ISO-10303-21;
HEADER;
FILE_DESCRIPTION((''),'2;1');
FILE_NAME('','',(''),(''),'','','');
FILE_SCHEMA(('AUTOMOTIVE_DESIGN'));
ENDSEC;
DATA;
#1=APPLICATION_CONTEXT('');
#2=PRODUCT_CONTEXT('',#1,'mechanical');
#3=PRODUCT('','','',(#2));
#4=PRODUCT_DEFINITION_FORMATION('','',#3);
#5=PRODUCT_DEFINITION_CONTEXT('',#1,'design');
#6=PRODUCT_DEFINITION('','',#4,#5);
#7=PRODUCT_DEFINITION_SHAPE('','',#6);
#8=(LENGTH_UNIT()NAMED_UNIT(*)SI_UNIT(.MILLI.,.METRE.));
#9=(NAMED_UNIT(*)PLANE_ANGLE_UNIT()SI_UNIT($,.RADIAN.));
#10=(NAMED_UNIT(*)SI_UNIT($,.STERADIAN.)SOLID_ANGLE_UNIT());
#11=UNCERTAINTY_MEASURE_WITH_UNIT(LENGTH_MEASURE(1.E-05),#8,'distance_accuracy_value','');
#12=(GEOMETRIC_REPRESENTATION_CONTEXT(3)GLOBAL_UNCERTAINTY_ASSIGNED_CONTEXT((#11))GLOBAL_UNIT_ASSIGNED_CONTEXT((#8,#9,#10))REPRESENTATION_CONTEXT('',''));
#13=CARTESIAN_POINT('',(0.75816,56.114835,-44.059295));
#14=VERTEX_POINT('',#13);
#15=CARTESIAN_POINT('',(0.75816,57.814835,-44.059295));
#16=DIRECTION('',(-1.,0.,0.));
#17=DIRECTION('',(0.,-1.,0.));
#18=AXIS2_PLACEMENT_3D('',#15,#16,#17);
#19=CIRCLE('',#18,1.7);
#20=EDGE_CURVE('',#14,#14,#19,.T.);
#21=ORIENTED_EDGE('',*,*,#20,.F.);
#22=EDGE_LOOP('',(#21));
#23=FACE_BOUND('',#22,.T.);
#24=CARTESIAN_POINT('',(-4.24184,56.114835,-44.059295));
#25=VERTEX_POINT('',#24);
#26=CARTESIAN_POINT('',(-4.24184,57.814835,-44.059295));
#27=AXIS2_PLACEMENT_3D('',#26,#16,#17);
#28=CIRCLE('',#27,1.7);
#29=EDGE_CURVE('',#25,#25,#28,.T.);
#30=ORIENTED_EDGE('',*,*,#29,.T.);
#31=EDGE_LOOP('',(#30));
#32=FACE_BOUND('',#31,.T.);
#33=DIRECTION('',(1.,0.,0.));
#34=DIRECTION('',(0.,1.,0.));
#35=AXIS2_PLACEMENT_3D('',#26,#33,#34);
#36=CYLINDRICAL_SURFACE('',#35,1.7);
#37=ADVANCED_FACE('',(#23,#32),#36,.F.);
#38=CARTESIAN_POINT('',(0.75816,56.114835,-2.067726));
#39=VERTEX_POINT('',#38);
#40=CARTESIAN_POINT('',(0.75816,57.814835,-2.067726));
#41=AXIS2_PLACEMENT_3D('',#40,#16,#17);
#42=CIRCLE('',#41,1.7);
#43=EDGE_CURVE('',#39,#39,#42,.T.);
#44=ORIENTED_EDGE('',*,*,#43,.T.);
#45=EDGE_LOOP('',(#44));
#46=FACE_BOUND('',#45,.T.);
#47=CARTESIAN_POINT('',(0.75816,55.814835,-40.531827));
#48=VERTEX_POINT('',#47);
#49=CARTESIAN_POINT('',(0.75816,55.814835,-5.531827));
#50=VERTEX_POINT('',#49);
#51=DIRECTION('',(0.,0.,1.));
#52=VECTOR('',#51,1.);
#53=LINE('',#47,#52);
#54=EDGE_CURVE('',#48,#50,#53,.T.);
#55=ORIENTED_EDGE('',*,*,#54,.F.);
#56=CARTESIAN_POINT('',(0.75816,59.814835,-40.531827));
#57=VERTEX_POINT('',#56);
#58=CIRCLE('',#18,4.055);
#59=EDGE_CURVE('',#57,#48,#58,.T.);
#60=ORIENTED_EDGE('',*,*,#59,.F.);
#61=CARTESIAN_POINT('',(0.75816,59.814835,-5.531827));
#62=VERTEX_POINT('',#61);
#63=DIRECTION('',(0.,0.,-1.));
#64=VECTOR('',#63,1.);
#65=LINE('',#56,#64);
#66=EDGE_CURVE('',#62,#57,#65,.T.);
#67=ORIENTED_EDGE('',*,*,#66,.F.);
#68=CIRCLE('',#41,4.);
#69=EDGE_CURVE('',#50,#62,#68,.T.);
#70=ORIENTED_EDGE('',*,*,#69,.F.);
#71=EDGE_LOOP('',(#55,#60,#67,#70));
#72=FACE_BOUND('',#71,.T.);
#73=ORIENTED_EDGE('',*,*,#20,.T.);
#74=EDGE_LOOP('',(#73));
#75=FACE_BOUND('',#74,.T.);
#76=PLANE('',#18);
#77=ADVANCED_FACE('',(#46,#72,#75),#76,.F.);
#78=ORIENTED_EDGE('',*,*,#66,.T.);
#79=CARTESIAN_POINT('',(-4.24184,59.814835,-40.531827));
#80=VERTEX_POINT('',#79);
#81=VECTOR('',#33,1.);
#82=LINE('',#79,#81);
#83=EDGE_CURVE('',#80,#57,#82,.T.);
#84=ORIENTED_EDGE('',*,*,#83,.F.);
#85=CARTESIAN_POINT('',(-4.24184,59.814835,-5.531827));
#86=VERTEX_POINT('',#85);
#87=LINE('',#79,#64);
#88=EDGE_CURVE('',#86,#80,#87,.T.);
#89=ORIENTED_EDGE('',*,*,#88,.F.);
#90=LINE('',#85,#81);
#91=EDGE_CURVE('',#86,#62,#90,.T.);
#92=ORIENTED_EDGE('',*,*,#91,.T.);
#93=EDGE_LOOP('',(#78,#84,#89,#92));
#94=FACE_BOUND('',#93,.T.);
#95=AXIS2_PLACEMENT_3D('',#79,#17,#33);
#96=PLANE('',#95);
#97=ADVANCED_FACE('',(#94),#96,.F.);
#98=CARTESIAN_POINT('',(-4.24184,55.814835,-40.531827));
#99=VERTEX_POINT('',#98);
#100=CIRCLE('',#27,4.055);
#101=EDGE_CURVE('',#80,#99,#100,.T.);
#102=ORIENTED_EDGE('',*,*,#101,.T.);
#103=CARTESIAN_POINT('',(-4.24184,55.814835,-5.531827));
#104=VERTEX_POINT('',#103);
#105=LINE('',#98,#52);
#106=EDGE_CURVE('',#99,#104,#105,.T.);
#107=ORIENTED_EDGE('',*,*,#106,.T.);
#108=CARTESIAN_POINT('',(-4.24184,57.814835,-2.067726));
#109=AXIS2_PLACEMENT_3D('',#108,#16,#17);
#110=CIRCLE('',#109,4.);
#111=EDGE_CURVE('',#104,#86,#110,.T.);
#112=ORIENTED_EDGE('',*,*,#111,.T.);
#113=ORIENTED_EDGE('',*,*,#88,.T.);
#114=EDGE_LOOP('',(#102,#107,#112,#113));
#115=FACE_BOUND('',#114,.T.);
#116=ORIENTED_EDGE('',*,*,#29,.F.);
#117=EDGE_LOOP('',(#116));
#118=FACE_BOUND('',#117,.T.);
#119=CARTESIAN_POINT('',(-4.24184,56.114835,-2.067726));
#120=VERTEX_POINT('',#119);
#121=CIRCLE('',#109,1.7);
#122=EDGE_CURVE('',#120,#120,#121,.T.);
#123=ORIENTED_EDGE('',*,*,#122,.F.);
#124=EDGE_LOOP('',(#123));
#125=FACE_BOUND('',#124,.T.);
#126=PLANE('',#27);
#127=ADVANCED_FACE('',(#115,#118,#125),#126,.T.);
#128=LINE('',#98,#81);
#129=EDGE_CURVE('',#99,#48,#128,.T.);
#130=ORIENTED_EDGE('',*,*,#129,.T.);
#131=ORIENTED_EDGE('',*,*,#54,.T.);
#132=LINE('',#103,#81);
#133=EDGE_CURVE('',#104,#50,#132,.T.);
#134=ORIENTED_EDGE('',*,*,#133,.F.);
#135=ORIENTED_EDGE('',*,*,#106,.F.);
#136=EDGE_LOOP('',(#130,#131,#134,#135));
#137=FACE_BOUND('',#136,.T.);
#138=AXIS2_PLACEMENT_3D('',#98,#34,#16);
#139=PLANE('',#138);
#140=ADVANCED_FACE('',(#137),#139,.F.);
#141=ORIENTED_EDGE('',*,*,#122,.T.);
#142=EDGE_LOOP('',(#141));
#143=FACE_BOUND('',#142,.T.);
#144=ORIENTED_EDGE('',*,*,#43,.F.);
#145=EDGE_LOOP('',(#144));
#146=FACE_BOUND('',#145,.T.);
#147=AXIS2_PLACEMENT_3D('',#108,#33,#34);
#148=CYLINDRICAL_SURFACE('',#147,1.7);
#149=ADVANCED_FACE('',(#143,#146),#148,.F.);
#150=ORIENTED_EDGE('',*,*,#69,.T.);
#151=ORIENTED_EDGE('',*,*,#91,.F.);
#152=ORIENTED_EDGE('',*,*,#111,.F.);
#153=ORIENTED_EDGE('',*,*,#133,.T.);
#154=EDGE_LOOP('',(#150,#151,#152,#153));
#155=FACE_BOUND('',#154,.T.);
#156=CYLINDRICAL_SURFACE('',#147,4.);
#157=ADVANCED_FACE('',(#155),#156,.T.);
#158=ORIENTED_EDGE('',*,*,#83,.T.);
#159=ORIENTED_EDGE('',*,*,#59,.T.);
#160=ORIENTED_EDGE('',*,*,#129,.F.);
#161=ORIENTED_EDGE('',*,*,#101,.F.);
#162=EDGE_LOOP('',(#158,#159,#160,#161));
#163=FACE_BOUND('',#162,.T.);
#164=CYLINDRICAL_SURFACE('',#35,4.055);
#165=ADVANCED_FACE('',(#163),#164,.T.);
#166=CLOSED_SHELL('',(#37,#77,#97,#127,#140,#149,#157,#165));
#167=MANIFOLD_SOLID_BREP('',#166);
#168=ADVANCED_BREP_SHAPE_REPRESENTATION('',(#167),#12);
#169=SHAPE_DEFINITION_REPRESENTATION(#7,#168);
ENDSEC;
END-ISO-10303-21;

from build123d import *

# Parameters (mm, degrees)
SKETCH_1_R      = 1.7
EXTRUDE_1_DEPTH = 5


with BuildPart() as part:
    # Эскиз1 → Бобышка-Вытянуть1 (new body)
    with BuildSketch(Plane.ZY.offset(-0.758160047)):
        with BuildLine():
            Line((-40.531827395, 59.814835282), (-5.531827395, 59.814835282))
            ThreePointArc((-5.531827395, 59.814835282), (1.93227422, 57.814835282), (-5.531827395, 55.814835282))
            Line((-5.531827395, 55.814835282), (-40.531827395, 55.814835282))
            ThreePointArc((-40.531827395, 55.814835282), (-48.114294617, 57.814835282), (-40.531827395, 59.814835282))
        make_face()
        with Locations((-2.06772578, 57.814835282)):
            Circle(SKETCH_1_R, mode=Mode.SUBTRACT)
        with Locations((-44.059294617, 57.814835282)):
            Circle(SKETCH_1_R, mode=Mode.SUBTRACT)
    extrude(amount=EXTRUDE_1_DEPTH)


solid = part.part
